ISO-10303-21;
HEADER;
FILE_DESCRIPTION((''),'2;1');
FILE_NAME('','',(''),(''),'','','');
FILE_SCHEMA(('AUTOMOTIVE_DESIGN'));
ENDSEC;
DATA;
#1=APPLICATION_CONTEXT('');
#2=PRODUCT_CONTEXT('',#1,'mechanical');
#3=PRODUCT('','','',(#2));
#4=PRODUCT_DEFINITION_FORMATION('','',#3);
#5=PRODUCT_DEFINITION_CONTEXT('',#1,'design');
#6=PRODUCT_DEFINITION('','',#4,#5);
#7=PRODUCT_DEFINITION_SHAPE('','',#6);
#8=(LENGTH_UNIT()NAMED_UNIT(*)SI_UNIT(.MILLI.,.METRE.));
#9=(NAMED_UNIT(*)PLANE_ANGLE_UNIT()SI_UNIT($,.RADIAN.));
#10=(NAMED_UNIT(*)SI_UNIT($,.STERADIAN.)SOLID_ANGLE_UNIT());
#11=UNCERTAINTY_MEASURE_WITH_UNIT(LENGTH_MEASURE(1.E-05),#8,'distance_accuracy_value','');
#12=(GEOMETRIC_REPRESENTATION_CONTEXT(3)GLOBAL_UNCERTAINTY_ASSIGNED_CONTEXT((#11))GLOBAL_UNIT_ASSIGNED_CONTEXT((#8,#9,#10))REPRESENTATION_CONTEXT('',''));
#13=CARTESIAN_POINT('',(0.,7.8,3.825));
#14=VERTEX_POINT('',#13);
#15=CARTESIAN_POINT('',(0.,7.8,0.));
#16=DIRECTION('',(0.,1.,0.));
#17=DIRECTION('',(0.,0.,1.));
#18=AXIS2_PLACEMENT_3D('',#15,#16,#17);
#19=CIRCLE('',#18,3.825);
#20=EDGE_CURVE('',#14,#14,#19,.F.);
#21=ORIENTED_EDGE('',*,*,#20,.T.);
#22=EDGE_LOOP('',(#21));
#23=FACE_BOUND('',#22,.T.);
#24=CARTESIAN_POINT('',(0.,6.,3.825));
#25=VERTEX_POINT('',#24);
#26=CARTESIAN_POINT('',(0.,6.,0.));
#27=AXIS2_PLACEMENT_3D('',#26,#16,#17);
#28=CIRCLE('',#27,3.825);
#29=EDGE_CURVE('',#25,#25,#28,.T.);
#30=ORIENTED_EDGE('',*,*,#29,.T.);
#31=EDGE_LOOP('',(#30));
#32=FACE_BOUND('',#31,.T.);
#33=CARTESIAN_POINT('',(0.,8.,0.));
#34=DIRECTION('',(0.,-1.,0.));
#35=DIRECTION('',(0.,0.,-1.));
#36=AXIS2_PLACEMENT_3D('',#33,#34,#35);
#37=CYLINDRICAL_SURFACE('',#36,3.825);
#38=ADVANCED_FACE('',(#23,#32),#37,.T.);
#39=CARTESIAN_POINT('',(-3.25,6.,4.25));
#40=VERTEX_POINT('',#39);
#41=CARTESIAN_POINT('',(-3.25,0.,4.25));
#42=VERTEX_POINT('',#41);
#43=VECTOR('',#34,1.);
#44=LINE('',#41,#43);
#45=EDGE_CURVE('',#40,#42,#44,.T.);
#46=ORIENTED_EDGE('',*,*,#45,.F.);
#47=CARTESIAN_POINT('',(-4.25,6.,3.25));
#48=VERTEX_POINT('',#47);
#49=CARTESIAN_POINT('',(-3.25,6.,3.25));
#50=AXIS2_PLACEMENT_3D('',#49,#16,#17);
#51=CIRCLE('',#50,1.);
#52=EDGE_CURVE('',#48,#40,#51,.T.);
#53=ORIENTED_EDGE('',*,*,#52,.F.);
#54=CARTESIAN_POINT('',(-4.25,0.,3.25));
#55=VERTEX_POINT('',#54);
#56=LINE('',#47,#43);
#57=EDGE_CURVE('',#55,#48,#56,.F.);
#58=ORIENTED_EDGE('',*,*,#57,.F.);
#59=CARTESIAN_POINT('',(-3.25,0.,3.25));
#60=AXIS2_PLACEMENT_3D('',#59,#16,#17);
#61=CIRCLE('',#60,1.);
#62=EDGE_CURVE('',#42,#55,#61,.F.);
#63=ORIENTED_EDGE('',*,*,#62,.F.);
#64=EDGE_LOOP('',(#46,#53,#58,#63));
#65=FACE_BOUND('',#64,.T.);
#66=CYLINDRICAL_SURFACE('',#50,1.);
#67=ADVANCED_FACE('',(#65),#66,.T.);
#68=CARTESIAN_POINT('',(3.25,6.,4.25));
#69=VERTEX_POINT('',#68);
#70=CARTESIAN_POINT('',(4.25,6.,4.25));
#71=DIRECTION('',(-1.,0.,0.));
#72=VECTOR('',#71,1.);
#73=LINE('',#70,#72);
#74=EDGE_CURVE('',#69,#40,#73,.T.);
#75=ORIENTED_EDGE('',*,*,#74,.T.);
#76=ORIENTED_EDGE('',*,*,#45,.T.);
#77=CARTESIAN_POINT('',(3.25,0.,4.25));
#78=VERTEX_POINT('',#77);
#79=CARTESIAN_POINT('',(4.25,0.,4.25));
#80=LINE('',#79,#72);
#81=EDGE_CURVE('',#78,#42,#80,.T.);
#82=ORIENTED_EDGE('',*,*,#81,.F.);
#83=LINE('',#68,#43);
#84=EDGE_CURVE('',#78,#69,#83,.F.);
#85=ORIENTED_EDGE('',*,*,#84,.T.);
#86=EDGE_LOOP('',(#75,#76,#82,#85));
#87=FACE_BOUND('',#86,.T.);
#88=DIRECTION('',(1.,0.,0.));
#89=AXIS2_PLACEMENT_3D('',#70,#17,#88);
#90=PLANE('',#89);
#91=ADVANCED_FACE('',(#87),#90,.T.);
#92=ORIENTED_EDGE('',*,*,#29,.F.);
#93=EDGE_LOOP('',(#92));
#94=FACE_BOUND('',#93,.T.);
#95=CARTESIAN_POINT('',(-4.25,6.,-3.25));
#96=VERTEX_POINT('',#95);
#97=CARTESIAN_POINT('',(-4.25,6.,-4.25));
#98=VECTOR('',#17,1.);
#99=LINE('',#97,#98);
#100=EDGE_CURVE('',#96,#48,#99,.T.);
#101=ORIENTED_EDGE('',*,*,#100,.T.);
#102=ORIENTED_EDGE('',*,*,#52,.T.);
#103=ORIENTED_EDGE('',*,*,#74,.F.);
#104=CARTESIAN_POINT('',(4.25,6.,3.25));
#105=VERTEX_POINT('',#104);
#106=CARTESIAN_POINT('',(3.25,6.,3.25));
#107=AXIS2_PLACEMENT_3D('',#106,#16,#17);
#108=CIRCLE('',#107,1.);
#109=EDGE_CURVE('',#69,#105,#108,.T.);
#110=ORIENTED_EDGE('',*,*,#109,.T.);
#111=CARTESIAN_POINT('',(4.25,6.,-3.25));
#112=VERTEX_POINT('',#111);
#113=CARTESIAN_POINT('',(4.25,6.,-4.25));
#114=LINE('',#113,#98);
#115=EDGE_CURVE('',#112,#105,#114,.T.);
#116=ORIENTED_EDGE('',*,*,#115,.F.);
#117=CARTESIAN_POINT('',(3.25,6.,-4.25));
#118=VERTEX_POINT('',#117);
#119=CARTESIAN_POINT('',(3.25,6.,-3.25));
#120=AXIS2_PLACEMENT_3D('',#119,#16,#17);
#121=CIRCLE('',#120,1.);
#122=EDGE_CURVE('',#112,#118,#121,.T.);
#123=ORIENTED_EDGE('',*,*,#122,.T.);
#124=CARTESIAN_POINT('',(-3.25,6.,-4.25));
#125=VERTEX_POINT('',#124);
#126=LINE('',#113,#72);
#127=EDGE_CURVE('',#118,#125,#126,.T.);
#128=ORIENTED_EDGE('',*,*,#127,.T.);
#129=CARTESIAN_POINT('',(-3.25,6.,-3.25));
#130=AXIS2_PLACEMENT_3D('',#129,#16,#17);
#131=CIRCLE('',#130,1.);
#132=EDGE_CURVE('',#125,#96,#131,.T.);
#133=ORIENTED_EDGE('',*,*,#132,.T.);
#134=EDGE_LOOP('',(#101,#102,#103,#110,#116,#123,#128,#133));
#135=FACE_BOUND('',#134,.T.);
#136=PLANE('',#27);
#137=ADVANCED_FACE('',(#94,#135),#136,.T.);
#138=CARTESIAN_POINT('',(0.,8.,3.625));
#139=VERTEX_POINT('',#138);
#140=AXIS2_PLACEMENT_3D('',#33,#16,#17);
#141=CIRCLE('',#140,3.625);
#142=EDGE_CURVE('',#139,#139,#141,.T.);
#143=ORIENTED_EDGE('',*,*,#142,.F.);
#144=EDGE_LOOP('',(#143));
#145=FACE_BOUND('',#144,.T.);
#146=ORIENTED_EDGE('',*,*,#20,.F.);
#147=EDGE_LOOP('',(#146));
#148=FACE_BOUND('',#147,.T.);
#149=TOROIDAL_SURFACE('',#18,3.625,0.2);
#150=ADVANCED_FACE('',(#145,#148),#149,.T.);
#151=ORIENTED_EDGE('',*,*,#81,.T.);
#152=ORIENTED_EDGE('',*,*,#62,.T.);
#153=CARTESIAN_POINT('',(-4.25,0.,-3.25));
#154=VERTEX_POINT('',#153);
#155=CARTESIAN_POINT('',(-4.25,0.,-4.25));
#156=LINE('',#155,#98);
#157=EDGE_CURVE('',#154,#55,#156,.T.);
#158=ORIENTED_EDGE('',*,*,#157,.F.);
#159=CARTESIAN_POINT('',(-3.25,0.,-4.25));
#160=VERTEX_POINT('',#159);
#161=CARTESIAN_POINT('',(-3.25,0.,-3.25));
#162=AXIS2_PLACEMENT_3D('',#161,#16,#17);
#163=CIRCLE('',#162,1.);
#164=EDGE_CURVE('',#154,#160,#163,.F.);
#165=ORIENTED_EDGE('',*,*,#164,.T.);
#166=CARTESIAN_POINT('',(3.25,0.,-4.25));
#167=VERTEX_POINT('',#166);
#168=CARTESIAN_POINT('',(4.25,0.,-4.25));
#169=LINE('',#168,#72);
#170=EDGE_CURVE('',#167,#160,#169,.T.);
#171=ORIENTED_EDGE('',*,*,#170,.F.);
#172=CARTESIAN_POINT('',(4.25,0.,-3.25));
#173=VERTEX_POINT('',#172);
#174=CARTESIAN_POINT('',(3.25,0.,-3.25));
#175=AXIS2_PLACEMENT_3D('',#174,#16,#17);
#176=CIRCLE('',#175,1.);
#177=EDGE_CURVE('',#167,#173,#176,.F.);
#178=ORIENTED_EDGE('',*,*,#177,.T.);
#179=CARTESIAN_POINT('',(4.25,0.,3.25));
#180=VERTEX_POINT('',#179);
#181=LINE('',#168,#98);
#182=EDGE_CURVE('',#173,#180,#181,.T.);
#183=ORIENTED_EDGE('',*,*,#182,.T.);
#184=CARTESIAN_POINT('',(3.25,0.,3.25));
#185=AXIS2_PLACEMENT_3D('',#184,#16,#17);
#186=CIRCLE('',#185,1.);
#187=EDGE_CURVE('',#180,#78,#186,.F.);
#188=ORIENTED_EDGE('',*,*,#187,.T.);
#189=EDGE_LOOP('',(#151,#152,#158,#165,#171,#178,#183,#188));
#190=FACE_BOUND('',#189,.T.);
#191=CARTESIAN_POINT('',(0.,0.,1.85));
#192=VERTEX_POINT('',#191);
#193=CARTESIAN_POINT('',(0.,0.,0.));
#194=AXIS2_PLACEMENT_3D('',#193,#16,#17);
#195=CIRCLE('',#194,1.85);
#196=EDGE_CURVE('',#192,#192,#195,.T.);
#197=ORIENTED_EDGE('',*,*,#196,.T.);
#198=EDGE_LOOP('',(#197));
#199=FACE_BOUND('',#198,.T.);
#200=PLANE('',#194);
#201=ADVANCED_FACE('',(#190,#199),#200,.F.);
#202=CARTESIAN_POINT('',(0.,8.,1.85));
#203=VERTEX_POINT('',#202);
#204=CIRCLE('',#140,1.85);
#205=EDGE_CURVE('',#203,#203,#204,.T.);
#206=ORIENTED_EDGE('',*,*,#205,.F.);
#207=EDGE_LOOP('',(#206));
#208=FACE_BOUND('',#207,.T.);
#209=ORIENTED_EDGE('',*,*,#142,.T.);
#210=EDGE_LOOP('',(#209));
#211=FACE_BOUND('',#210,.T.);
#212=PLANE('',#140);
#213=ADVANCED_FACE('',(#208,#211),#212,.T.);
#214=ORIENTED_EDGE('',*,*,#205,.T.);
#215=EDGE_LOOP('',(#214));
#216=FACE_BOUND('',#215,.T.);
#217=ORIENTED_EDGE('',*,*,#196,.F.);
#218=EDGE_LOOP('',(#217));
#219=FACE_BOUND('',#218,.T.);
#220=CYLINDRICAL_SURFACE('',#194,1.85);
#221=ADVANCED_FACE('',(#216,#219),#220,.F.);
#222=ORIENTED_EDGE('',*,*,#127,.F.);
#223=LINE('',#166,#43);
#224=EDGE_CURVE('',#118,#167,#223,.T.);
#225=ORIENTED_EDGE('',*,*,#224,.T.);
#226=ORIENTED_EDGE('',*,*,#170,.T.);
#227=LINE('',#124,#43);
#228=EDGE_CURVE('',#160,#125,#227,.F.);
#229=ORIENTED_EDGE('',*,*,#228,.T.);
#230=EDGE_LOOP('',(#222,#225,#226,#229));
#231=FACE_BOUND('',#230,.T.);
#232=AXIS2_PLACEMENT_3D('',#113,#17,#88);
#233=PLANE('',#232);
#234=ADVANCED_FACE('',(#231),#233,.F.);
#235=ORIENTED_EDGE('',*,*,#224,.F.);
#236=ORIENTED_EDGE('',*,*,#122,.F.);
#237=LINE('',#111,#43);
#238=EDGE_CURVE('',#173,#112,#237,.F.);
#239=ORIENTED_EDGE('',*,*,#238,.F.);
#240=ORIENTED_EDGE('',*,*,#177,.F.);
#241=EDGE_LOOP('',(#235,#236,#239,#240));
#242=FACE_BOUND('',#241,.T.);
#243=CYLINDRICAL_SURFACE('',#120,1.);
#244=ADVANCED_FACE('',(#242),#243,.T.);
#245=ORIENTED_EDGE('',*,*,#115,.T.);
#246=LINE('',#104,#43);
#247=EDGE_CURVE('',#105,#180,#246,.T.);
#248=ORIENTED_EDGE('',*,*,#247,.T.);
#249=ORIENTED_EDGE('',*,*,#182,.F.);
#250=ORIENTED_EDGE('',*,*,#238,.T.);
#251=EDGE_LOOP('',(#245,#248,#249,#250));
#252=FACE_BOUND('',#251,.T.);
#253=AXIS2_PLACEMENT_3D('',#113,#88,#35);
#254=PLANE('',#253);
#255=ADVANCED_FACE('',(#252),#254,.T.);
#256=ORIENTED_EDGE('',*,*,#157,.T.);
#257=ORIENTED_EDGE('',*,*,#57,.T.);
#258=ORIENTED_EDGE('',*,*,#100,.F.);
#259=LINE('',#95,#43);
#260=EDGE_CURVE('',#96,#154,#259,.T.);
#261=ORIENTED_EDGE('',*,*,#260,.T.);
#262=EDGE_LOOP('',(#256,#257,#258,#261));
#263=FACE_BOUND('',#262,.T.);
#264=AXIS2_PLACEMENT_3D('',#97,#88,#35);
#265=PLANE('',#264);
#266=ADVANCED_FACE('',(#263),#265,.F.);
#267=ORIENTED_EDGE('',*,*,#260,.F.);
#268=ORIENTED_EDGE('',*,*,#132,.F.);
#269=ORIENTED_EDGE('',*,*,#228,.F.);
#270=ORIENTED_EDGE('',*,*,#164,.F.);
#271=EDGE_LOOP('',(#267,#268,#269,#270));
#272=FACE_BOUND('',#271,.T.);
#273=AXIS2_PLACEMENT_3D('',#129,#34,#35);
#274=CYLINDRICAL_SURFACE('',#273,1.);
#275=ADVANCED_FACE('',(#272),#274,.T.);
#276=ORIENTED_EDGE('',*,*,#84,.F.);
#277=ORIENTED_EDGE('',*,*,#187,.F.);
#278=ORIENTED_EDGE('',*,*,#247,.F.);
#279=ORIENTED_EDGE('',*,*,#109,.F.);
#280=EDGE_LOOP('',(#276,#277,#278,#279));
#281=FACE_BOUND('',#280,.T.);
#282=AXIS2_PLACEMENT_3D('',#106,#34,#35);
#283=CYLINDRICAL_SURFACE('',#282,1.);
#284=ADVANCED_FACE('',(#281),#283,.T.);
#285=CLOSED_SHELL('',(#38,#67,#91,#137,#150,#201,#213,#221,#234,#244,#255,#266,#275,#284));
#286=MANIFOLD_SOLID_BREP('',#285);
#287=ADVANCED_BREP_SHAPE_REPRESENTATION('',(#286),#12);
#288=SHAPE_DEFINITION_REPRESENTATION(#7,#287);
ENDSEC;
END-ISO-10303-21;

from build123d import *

# Parameters (mm, degrees)
SKETCH3_BASE_W      = 8.5
SKETCH3_BASE_H      = 8.5
BOSS_EXTRUDE1_DEPTH = 6
SKETCH5_INSERT_R    = 3.825
BOSS_EXTRUDE2_DEPTH = 2
SKETCH6_HOLE_R      = 1.85
CUT_EXTRUDE1_DEPTH  = 9
FILLET1_R           = 1
FILLET2_R           = 1
FILLET3_R           = 0.2


with BuildPart() as part:
    # Sketch3 Base → Boss-Extrude1 (new body)
    with BuildSketch(Plane(origin=(0, 0, 0), x_dir=(1, 0, 0), z_dir=(0, 1, 0))):
        Rectangle(SKETCH3_BASE_W, SKETCH3_BASE_H)
    extrude(amount=BOSS_EXTRUDE1_DEPTH)

    # Sketch5 Insert → Boss-Extrude2 (add)
    with BuildSketch(Plane(origin=(0, 6, 0), x_dir=(1, 0, 0), z_dir=(0, 1, 0))):
        with Locations(Location((0, 0, 0), (0, 0, 270))):  # turned: the seam where the file's is
            Circle(SKETCH5_INSERT_R)
    extrude(amount=BOSS_EXTRUDE2_DEPTH)

    # Sketch6 Hole → Cut-Extrude1 (cut, through all)
    with BuildSketch(Plane(origin=(0, 8, 0), x_dir=(1, 0, 0), z_dir=(0, 1, 0))):
        with Locations(Location((0, 0, 0), (0, 0, 270))):  # turned: the seam where the file's is
            Circle(SKETCH6_HOLE_R)
    extrude(amount=-CUT_EXTRUDE1_DEPTH, mode=Mode.SUBTRACT)

    # Fillet1
    fillet1_edges = [part.edges().sort_by_distance(p)[0] for p in [
        (4.25, 3, -4.25),
        (4.25, 3, 4.25),
        (-4.25, 3, 4.25),
    ]]
    fillet(fillet1_edges, radius=FILLET1_R)

    # Fillet2
    fillet2_edges = [part.edges().sort_by_distance(p)[0] for p in [
        (-4.25, 3, -4.25),
    ]]
    fillet(fillet2_edges, radius=FILLET2_R)

    # Fillet3
    fillet3_edges = [part.edges().sort_by_distance(p)[0] for p in [
        (0, 8, -3.825),
    ]]
    fillet(fillet3_edges, radius=FILLET3_R)


solid = part.part
